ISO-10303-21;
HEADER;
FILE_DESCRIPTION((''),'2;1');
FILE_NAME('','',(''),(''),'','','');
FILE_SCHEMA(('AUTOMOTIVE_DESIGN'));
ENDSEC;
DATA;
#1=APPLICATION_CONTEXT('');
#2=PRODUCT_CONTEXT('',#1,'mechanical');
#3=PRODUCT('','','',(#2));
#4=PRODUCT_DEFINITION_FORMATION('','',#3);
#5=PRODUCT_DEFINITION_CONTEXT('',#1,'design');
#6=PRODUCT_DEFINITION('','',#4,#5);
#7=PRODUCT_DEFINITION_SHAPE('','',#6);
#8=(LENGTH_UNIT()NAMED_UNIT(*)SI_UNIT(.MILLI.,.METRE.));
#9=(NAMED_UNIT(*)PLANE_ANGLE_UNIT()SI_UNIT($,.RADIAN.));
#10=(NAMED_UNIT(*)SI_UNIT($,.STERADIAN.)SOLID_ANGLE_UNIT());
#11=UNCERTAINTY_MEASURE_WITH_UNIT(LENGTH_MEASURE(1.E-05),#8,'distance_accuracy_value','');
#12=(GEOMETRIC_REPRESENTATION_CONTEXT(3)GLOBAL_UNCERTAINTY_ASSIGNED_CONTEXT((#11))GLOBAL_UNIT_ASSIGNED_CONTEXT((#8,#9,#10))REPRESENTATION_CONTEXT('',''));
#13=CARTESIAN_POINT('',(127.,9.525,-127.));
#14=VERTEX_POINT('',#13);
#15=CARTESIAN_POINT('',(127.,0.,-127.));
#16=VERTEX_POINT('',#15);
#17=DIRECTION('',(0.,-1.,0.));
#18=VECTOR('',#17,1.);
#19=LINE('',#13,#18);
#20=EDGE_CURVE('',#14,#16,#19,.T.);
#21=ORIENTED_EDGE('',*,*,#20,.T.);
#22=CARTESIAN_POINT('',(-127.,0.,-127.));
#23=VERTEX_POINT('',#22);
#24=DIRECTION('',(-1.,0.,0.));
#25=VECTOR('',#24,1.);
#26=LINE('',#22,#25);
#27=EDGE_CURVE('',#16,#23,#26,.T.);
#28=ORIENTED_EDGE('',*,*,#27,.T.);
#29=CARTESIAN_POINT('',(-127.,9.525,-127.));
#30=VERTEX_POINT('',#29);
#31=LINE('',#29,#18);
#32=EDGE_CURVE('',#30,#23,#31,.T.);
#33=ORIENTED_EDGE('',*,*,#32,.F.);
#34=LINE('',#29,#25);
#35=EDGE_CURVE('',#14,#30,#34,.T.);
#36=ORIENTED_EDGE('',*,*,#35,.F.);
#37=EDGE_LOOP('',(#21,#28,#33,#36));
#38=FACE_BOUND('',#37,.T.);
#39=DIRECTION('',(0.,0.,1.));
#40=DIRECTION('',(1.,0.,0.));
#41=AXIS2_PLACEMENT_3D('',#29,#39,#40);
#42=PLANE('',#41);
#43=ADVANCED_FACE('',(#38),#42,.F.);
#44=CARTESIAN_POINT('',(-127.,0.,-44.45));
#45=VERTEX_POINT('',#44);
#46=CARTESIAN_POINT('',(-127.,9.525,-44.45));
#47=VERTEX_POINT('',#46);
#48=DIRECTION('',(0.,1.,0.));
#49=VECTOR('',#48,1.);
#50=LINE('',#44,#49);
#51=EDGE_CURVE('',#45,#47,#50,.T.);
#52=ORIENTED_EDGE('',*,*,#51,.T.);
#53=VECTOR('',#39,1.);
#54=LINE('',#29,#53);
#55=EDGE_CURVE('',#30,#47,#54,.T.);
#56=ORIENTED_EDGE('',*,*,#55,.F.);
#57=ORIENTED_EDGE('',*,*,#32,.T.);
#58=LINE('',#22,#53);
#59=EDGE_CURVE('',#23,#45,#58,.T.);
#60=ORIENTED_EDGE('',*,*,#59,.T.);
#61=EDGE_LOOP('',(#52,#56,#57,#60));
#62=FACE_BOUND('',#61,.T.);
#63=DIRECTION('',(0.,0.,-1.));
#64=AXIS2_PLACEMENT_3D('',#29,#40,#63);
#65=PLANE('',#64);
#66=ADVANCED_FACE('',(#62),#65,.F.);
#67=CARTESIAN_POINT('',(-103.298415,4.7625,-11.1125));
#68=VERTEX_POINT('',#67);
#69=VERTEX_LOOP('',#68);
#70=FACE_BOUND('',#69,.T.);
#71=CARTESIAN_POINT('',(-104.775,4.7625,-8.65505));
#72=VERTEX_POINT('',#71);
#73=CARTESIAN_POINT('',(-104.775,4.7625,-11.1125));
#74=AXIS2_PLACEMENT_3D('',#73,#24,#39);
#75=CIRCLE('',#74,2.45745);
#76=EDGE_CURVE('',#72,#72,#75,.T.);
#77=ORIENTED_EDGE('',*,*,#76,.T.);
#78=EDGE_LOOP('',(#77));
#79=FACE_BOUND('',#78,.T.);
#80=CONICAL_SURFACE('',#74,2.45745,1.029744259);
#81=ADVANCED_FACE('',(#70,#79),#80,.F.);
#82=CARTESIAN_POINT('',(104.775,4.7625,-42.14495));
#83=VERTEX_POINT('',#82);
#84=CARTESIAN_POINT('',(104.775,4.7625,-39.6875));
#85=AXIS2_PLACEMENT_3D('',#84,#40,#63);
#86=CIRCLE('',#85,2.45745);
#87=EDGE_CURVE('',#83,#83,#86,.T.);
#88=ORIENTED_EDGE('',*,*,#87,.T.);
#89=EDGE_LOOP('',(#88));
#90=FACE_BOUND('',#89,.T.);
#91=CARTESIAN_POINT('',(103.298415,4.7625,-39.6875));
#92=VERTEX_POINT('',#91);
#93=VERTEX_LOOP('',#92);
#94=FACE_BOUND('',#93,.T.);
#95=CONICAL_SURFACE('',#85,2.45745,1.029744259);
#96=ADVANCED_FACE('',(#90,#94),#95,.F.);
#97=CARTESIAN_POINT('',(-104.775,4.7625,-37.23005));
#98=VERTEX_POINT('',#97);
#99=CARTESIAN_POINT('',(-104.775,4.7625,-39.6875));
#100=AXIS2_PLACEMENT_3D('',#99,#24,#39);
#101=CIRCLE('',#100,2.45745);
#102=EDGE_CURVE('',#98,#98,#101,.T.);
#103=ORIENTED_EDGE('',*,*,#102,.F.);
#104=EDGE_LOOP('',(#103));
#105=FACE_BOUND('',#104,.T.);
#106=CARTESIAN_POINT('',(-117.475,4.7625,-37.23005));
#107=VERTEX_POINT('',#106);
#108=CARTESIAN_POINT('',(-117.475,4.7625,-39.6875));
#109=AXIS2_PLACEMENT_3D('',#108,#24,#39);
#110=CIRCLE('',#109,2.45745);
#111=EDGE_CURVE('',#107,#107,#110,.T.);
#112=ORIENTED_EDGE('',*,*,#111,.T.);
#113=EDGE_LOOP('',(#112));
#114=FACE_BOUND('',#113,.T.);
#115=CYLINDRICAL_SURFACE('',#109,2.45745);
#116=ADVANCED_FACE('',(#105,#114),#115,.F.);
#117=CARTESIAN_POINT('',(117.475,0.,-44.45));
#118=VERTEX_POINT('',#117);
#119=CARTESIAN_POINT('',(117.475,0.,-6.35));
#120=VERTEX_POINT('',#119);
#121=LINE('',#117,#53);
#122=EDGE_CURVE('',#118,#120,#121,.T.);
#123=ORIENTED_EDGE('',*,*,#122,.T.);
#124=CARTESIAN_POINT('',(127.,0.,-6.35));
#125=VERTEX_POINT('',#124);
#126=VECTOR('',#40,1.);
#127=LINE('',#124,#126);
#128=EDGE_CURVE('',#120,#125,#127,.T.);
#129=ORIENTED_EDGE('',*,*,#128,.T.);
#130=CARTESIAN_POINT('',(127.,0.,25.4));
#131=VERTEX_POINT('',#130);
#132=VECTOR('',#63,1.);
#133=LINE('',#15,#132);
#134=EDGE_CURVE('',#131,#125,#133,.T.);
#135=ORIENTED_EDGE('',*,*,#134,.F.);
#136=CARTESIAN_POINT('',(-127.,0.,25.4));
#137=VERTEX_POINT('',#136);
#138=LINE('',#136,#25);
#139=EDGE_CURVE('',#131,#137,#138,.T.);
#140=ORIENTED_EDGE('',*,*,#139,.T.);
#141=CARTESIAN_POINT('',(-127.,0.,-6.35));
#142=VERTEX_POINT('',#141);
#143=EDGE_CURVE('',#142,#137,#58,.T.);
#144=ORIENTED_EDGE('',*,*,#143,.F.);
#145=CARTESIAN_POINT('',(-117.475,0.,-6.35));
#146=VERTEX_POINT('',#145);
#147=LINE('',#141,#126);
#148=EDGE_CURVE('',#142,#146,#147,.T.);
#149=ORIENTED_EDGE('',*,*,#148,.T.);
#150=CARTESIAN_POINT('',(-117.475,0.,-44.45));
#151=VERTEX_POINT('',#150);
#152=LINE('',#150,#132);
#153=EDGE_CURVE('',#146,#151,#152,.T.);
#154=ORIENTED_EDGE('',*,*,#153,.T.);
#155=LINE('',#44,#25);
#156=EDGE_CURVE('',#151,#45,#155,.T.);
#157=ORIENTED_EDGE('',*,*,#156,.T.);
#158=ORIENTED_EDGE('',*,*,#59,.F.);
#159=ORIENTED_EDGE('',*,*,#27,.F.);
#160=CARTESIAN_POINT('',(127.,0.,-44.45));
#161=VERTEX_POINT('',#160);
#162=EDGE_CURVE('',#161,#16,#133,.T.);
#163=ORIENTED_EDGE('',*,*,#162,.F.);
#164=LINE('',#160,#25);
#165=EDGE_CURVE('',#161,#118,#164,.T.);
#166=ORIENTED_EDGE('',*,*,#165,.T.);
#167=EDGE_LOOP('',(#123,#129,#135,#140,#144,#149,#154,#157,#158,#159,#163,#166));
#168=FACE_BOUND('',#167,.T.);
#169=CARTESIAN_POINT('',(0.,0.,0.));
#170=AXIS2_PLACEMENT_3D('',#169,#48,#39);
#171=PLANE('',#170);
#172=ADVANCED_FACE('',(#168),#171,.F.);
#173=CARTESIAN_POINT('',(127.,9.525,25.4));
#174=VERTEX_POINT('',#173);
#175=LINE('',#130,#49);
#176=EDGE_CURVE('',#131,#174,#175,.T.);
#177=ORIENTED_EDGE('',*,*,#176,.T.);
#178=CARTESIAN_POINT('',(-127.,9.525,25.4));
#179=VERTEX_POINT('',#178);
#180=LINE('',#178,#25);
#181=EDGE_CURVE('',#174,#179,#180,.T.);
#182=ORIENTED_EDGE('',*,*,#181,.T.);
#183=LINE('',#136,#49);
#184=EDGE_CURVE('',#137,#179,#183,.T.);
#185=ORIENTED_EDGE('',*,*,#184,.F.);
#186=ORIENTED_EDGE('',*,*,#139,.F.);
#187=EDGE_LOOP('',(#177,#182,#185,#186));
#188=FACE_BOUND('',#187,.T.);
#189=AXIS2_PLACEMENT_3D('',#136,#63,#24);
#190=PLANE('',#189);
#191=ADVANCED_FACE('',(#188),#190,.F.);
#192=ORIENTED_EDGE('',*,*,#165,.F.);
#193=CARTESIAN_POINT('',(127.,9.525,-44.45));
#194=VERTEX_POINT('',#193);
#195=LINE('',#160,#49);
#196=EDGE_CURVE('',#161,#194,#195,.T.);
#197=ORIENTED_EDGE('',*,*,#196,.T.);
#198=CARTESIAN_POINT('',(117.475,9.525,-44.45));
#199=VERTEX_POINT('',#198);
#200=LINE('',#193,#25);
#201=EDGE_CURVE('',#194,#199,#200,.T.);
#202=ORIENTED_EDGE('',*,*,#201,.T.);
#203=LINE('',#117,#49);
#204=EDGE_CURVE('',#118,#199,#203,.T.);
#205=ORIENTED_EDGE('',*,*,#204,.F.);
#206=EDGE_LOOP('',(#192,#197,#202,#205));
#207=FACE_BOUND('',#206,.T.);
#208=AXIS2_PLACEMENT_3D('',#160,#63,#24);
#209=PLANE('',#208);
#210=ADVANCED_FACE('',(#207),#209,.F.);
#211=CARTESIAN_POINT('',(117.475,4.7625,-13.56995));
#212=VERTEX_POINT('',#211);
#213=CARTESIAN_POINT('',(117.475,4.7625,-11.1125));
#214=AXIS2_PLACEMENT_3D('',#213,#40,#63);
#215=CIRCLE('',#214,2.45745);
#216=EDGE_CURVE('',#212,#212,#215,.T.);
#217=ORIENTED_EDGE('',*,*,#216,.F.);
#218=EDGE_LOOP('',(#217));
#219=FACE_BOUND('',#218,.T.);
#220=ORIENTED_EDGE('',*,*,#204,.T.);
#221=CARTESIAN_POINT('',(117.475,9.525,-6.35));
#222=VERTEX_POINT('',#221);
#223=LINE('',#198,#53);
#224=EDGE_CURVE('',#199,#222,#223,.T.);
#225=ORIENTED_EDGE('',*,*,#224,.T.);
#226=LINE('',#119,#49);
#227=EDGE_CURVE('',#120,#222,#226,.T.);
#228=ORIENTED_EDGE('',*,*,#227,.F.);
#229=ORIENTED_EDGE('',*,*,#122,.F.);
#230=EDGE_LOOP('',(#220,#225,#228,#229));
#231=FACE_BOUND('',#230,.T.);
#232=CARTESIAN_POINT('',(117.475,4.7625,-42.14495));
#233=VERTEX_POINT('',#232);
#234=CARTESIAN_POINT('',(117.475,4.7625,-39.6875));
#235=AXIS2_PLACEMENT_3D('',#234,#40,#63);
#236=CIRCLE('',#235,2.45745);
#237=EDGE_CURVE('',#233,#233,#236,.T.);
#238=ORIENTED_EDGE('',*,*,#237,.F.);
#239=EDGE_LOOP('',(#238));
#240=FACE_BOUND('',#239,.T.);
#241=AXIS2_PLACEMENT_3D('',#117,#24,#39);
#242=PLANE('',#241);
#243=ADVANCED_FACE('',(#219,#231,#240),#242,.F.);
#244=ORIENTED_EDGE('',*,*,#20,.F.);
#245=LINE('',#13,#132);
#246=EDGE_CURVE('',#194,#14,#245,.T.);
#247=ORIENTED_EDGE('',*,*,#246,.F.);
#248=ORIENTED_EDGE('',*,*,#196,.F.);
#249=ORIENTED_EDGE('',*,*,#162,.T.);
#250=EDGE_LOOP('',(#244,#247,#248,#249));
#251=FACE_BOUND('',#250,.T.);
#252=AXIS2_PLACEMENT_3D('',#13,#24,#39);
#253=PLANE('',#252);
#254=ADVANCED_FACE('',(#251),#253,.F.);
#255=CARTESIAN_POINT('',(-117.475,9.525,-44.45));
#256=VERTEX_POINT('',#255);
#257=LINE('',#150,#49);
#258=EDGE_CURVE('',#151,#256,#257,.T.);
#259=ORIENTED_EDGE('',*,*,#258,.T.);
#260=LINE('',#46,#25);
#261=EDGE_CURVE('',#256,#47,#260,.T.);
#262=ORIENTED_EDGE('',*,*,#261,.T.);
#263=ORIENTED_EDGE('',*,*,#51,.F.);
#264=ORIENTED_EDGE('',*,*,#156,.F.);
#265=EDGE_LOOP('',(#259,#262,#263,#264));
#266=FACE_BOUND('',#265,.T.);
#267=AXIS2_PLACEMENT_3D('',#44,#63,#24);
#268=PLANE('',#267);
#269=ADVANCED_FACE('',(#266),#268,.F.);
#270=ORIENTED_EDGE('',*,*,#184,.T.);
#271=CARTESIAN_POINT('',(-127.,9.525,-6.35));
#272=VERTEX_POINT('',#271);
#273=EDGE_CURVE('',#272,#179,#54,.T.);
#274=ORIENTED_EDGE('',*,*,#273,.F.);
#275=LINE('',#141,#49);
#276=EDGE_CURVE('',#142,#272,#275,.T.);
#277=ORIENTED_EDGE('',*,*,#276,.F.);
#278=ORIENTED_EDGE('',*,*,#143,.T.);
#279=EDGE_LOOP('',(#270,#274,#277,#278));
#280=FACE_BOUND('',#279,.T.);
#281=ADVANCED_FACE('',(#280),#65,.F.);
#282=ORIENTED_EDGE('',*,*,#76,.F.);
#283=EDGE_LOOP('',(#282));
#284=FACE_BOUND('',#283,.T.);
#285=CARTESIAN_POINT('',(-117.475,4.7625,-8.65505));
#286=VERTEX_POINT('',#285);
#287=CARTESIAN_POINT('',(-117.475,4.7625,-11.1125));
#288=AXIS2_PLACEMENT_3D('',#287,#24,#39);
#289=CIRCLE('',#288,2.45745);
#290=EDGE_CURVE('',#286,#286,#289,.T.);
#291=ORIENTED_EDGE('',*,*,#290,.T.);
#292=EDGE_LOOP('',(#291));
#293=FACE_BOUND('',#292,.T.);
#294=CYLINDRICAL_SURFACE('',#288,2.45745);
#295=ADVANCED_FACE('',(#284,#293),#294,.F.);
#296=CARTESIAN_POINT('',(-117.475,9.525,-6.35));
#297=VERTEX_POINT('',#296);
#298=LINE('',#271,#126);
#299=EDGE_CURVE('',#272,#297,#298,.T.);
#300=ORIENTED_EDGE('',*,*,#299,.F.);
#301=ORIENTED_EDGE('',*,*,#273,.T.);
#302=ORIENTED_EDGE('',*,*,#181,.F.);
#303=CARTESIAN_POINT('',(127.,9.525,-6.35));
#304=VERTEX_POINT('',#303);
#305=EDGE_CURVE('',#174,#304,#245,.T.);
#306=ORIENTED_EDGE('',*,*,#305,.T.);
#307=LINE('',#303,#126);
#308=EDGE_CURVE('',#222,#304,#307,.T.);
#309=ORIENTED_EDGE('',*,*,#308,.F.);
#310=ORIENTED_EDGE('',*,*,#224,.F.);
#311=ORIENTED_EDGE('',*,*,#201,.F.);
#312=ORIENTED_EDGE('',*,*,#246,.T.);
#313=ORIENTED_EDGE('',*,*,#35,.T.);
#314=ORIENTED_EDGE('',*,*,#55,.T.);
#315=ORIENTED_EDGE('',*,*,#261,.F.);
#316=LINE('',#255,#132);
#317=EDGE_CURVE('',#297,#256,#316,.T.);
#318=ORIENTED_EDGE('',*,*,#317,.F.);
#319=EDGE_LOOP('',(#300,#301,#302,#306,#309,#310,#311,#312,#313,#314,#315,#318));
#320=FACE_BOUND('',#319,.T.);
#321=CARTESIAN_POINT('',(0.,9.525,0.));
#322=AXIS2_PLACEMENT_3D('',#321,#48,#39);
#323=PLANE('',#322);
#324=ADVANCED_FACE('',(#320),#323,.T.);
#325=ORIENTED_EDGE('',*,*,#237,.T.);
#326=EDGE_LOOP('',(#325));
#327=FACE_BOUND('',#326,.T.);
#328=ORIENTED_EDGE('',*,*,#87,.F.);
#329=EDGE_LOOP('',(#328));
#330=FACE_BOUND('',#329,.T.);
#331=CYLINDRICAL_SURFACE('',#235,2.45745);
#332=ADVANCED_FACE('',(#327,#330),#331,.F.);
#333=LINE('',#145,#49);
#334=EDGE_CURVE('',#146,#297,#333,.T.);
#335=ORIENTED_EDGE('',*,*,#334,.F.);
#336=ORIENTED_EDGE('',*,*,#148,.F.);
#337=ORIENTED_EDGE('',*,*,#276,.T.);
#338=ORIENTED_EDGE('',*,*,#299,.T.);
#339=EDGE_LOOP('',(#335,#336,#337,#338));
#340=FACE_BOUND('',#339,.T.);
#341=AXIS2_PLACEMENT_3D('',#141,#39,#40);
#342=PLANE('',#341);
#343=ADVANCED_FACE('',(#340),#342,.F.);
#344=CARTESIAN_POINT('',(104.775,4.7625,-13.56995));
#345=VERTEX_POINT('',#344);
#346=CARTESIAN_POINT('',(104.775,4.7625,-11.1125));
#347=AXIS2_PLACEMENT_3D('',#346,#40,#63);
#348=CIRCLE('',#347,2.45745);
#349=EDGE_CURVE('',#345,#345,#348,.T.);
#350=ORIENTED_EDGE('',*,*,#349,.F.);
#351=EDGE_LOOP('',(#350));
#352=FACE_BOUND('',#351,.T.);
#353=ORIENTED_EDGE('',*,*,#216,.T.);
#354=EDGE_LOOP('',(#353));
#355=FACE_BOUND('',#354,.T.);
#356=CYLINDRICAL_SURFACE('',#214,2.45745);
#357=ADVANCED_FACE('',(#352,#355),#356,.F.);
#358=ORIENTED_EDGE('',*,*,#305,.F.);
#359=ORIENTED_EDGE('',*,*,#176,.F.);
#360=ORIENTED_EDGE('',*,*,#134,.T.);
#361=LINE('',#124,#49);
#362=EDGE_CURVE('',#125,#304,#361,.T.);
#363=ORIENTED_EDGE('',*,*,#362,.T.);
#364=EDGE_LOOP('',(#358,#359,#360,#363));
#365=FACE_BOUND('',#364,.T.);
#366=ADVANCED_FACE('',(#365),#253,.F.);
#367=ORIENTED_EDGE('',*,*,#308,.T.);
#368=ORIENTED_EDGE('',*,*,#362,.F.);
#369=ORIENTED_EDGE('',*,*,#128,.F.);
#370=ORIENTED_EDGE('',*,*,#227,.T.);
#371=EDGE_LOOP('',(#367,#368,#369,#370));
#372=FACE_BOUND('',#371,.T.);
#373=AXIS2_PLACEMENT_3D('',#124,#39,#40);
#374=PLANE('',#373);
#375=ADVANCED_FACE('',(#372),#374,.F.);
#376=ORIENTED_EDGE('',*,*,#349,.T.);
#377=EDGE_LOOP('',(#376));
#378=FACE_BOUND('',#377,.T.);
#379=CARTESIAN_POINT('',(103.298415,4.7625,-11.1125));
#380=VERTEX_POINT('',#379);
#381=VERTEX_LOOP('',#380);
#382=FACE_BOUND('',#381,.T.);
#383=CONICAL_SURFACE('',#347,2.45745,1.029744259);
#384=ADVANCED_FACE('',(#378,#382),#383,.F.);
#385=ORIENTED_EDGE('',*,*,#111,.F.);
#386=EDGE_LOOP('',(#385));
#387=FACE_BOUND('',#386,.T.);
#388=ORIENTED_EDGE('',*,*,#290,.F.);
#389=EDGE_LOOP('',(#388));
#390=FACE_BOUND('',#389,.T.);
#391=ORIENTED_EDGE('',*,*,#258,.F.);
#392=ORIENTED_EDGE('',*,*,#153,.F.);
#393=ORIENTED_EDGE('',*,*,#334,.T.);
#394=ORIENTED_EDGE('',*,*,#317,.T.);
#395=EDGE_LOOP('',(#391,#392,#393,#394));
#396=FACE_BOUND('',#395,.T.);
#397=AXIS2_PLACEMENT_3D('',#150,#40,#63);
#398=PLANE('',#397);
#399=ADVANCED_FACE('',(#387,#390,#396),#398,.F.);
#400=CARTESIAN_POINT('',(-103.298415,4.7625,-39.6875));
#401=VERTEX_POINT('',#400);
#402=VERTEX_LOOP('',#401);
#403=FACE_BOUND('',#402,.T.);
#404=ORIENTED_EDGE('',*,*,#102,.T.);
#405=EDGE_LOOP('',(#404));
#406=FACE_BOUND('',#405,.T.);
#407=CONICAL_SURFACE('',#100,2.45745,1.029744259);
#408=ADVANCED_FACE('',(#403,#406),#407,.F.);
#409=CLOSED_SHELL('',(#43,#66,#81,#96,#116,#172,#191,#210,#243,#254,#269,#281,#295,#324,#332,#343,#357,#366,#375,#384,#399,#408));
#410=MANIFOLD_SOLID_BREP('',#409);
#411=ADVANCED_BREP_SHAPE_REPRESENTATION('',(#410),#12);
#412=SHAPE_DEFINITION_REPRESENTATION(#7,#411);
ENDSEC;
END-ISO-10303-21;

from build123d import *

# Parameters (mm, degrees)
SKETCH1_W                        = 254
SKETCH1_H                        = 254
BOSS_EXTRUDE1_DEPTH              = 9.525
SKETCH7_W                        = 9.525
SKETCH7_H                        = 38.1
CUT_EXTRUDE4_DEPTH               = 180.857514786
F_10_0_1935_DIAMETER_HOLE1_D     = 4.9149
F_10_0_1935_DIAMETER_HOLE1_DEPTH = 12.7
F_10_0_1935_DIAMETER_HOLE1_TIP   = 1.476584928
F_10_0_1935_DIAMETER_HOLE3_D     = 4.9149
F_10_0_1935_DIAMETER_HOLE3_DEPTH = 12.7
F_10_0_1935_DIAMETER_HOLE3_TIP   = 1.476584928
SKETCH16_W                       = 254
SKETCH16_H                       = 101.6
CUT_EXTRUDE5_DEPTH               = 180.857514786


with BuildPart() as part:
    # Sketch1 → Boss-Extrude1 (new body)
    with BuildSketch(Plane(origin=(0, 0, 0), x_dir=(1, 0, 0), z_dir=(0, 1, 0))):
        Rectangle(SKETCH1_W, SKETCH1_H)
    extrude(amount=BOSS_EXTRUDE1_DEPTH)

    # Sketch7 → Cut-Extrude4 (cut, through all)
    with BuildSketch(Plane(origin=(0, 9.525, 0), x_dir=(1, 0, 0), z_dir=(0, 1, 0))):
        with Locations((-122.2375, 25.4)):
            Rectangle(SKETCH7_W, SKETCH7_H)
        with Locations((122.2375, 25.4)):
            Rectangle(SKETCH7_W, SKETCH7_H)
    extrude(amount=-CUT_EXTRUDE4_DEPTH, mode=Mode.SUBTRACT)

    # #10 (0.1935) Diameter Hole1
    with Locations(Plane(origin=(117.475, 0, 0), x_dir=(0, 0, -1), z_dir=(1, 0, 0))):
        with Locations((11.1125, 4.7625), (39.6875, 4.7625)):
            Hole(F_10_0_1935_DIAMETER_HOLE1_D / 2, depth=F_10_0_1935_DIAMETER_HOLE1_DEPTH)
            with Locations((0, 0, -(F_10_0_1935_DIAMETER_HOLE1_DEPTH + F_10_0_1935_DIAMETER_HOLE1_TIP / 2))):  # 118° drill point
                Cone(0, F_10_0_1935_DIAMETER_HOLE1_D / 2, F_10_0_1935_DIAMETER_HOLE1_TIP, mode=Mode.SUBTRACT)

    # #10 (0.1935) Diameter Hole3
    with Locations(Plane.ZY.offset(117.475)):
        with Locations((-39.6875, 4.7625), (-11.1125, 4.7625)):
            Hole(F_10_0_1935_DIAMETER_HOLE3_D / 2, depth=F_10_0_1935_DIAMETER_HOLE3_DEPTH)
            with Locations((0, 0, -(F_10_0_1935_DIAMETER_HOLE3_DEPTH + F_10_0_1935_DIAMETER_HOLE3_TIP / 2))):  # 118° drill point
                Cone(0, F_10_0_1935_DIAMETER_HOLE3_D / 2, F_10_0_1935_DIAMETER_HOLE3_TIP, mode=Mode.SUBTRACT)

    # Sketch16 → Cut-Extrude5 (cut, through all)
    with BuildSketch(Plane(origin=(0, 9.525, 0), x_dir=(1, 0, 0), z_dir=(0, 1, 0))):
        with Locations((0, -76.2)):
            Rectangle(SKETCH16_W, SKETCH16_H)
    extrude(amount=-CUT_EXTRUDE5_DEPTH, mode=Mode.SUBTRACT)


solid = part.part
